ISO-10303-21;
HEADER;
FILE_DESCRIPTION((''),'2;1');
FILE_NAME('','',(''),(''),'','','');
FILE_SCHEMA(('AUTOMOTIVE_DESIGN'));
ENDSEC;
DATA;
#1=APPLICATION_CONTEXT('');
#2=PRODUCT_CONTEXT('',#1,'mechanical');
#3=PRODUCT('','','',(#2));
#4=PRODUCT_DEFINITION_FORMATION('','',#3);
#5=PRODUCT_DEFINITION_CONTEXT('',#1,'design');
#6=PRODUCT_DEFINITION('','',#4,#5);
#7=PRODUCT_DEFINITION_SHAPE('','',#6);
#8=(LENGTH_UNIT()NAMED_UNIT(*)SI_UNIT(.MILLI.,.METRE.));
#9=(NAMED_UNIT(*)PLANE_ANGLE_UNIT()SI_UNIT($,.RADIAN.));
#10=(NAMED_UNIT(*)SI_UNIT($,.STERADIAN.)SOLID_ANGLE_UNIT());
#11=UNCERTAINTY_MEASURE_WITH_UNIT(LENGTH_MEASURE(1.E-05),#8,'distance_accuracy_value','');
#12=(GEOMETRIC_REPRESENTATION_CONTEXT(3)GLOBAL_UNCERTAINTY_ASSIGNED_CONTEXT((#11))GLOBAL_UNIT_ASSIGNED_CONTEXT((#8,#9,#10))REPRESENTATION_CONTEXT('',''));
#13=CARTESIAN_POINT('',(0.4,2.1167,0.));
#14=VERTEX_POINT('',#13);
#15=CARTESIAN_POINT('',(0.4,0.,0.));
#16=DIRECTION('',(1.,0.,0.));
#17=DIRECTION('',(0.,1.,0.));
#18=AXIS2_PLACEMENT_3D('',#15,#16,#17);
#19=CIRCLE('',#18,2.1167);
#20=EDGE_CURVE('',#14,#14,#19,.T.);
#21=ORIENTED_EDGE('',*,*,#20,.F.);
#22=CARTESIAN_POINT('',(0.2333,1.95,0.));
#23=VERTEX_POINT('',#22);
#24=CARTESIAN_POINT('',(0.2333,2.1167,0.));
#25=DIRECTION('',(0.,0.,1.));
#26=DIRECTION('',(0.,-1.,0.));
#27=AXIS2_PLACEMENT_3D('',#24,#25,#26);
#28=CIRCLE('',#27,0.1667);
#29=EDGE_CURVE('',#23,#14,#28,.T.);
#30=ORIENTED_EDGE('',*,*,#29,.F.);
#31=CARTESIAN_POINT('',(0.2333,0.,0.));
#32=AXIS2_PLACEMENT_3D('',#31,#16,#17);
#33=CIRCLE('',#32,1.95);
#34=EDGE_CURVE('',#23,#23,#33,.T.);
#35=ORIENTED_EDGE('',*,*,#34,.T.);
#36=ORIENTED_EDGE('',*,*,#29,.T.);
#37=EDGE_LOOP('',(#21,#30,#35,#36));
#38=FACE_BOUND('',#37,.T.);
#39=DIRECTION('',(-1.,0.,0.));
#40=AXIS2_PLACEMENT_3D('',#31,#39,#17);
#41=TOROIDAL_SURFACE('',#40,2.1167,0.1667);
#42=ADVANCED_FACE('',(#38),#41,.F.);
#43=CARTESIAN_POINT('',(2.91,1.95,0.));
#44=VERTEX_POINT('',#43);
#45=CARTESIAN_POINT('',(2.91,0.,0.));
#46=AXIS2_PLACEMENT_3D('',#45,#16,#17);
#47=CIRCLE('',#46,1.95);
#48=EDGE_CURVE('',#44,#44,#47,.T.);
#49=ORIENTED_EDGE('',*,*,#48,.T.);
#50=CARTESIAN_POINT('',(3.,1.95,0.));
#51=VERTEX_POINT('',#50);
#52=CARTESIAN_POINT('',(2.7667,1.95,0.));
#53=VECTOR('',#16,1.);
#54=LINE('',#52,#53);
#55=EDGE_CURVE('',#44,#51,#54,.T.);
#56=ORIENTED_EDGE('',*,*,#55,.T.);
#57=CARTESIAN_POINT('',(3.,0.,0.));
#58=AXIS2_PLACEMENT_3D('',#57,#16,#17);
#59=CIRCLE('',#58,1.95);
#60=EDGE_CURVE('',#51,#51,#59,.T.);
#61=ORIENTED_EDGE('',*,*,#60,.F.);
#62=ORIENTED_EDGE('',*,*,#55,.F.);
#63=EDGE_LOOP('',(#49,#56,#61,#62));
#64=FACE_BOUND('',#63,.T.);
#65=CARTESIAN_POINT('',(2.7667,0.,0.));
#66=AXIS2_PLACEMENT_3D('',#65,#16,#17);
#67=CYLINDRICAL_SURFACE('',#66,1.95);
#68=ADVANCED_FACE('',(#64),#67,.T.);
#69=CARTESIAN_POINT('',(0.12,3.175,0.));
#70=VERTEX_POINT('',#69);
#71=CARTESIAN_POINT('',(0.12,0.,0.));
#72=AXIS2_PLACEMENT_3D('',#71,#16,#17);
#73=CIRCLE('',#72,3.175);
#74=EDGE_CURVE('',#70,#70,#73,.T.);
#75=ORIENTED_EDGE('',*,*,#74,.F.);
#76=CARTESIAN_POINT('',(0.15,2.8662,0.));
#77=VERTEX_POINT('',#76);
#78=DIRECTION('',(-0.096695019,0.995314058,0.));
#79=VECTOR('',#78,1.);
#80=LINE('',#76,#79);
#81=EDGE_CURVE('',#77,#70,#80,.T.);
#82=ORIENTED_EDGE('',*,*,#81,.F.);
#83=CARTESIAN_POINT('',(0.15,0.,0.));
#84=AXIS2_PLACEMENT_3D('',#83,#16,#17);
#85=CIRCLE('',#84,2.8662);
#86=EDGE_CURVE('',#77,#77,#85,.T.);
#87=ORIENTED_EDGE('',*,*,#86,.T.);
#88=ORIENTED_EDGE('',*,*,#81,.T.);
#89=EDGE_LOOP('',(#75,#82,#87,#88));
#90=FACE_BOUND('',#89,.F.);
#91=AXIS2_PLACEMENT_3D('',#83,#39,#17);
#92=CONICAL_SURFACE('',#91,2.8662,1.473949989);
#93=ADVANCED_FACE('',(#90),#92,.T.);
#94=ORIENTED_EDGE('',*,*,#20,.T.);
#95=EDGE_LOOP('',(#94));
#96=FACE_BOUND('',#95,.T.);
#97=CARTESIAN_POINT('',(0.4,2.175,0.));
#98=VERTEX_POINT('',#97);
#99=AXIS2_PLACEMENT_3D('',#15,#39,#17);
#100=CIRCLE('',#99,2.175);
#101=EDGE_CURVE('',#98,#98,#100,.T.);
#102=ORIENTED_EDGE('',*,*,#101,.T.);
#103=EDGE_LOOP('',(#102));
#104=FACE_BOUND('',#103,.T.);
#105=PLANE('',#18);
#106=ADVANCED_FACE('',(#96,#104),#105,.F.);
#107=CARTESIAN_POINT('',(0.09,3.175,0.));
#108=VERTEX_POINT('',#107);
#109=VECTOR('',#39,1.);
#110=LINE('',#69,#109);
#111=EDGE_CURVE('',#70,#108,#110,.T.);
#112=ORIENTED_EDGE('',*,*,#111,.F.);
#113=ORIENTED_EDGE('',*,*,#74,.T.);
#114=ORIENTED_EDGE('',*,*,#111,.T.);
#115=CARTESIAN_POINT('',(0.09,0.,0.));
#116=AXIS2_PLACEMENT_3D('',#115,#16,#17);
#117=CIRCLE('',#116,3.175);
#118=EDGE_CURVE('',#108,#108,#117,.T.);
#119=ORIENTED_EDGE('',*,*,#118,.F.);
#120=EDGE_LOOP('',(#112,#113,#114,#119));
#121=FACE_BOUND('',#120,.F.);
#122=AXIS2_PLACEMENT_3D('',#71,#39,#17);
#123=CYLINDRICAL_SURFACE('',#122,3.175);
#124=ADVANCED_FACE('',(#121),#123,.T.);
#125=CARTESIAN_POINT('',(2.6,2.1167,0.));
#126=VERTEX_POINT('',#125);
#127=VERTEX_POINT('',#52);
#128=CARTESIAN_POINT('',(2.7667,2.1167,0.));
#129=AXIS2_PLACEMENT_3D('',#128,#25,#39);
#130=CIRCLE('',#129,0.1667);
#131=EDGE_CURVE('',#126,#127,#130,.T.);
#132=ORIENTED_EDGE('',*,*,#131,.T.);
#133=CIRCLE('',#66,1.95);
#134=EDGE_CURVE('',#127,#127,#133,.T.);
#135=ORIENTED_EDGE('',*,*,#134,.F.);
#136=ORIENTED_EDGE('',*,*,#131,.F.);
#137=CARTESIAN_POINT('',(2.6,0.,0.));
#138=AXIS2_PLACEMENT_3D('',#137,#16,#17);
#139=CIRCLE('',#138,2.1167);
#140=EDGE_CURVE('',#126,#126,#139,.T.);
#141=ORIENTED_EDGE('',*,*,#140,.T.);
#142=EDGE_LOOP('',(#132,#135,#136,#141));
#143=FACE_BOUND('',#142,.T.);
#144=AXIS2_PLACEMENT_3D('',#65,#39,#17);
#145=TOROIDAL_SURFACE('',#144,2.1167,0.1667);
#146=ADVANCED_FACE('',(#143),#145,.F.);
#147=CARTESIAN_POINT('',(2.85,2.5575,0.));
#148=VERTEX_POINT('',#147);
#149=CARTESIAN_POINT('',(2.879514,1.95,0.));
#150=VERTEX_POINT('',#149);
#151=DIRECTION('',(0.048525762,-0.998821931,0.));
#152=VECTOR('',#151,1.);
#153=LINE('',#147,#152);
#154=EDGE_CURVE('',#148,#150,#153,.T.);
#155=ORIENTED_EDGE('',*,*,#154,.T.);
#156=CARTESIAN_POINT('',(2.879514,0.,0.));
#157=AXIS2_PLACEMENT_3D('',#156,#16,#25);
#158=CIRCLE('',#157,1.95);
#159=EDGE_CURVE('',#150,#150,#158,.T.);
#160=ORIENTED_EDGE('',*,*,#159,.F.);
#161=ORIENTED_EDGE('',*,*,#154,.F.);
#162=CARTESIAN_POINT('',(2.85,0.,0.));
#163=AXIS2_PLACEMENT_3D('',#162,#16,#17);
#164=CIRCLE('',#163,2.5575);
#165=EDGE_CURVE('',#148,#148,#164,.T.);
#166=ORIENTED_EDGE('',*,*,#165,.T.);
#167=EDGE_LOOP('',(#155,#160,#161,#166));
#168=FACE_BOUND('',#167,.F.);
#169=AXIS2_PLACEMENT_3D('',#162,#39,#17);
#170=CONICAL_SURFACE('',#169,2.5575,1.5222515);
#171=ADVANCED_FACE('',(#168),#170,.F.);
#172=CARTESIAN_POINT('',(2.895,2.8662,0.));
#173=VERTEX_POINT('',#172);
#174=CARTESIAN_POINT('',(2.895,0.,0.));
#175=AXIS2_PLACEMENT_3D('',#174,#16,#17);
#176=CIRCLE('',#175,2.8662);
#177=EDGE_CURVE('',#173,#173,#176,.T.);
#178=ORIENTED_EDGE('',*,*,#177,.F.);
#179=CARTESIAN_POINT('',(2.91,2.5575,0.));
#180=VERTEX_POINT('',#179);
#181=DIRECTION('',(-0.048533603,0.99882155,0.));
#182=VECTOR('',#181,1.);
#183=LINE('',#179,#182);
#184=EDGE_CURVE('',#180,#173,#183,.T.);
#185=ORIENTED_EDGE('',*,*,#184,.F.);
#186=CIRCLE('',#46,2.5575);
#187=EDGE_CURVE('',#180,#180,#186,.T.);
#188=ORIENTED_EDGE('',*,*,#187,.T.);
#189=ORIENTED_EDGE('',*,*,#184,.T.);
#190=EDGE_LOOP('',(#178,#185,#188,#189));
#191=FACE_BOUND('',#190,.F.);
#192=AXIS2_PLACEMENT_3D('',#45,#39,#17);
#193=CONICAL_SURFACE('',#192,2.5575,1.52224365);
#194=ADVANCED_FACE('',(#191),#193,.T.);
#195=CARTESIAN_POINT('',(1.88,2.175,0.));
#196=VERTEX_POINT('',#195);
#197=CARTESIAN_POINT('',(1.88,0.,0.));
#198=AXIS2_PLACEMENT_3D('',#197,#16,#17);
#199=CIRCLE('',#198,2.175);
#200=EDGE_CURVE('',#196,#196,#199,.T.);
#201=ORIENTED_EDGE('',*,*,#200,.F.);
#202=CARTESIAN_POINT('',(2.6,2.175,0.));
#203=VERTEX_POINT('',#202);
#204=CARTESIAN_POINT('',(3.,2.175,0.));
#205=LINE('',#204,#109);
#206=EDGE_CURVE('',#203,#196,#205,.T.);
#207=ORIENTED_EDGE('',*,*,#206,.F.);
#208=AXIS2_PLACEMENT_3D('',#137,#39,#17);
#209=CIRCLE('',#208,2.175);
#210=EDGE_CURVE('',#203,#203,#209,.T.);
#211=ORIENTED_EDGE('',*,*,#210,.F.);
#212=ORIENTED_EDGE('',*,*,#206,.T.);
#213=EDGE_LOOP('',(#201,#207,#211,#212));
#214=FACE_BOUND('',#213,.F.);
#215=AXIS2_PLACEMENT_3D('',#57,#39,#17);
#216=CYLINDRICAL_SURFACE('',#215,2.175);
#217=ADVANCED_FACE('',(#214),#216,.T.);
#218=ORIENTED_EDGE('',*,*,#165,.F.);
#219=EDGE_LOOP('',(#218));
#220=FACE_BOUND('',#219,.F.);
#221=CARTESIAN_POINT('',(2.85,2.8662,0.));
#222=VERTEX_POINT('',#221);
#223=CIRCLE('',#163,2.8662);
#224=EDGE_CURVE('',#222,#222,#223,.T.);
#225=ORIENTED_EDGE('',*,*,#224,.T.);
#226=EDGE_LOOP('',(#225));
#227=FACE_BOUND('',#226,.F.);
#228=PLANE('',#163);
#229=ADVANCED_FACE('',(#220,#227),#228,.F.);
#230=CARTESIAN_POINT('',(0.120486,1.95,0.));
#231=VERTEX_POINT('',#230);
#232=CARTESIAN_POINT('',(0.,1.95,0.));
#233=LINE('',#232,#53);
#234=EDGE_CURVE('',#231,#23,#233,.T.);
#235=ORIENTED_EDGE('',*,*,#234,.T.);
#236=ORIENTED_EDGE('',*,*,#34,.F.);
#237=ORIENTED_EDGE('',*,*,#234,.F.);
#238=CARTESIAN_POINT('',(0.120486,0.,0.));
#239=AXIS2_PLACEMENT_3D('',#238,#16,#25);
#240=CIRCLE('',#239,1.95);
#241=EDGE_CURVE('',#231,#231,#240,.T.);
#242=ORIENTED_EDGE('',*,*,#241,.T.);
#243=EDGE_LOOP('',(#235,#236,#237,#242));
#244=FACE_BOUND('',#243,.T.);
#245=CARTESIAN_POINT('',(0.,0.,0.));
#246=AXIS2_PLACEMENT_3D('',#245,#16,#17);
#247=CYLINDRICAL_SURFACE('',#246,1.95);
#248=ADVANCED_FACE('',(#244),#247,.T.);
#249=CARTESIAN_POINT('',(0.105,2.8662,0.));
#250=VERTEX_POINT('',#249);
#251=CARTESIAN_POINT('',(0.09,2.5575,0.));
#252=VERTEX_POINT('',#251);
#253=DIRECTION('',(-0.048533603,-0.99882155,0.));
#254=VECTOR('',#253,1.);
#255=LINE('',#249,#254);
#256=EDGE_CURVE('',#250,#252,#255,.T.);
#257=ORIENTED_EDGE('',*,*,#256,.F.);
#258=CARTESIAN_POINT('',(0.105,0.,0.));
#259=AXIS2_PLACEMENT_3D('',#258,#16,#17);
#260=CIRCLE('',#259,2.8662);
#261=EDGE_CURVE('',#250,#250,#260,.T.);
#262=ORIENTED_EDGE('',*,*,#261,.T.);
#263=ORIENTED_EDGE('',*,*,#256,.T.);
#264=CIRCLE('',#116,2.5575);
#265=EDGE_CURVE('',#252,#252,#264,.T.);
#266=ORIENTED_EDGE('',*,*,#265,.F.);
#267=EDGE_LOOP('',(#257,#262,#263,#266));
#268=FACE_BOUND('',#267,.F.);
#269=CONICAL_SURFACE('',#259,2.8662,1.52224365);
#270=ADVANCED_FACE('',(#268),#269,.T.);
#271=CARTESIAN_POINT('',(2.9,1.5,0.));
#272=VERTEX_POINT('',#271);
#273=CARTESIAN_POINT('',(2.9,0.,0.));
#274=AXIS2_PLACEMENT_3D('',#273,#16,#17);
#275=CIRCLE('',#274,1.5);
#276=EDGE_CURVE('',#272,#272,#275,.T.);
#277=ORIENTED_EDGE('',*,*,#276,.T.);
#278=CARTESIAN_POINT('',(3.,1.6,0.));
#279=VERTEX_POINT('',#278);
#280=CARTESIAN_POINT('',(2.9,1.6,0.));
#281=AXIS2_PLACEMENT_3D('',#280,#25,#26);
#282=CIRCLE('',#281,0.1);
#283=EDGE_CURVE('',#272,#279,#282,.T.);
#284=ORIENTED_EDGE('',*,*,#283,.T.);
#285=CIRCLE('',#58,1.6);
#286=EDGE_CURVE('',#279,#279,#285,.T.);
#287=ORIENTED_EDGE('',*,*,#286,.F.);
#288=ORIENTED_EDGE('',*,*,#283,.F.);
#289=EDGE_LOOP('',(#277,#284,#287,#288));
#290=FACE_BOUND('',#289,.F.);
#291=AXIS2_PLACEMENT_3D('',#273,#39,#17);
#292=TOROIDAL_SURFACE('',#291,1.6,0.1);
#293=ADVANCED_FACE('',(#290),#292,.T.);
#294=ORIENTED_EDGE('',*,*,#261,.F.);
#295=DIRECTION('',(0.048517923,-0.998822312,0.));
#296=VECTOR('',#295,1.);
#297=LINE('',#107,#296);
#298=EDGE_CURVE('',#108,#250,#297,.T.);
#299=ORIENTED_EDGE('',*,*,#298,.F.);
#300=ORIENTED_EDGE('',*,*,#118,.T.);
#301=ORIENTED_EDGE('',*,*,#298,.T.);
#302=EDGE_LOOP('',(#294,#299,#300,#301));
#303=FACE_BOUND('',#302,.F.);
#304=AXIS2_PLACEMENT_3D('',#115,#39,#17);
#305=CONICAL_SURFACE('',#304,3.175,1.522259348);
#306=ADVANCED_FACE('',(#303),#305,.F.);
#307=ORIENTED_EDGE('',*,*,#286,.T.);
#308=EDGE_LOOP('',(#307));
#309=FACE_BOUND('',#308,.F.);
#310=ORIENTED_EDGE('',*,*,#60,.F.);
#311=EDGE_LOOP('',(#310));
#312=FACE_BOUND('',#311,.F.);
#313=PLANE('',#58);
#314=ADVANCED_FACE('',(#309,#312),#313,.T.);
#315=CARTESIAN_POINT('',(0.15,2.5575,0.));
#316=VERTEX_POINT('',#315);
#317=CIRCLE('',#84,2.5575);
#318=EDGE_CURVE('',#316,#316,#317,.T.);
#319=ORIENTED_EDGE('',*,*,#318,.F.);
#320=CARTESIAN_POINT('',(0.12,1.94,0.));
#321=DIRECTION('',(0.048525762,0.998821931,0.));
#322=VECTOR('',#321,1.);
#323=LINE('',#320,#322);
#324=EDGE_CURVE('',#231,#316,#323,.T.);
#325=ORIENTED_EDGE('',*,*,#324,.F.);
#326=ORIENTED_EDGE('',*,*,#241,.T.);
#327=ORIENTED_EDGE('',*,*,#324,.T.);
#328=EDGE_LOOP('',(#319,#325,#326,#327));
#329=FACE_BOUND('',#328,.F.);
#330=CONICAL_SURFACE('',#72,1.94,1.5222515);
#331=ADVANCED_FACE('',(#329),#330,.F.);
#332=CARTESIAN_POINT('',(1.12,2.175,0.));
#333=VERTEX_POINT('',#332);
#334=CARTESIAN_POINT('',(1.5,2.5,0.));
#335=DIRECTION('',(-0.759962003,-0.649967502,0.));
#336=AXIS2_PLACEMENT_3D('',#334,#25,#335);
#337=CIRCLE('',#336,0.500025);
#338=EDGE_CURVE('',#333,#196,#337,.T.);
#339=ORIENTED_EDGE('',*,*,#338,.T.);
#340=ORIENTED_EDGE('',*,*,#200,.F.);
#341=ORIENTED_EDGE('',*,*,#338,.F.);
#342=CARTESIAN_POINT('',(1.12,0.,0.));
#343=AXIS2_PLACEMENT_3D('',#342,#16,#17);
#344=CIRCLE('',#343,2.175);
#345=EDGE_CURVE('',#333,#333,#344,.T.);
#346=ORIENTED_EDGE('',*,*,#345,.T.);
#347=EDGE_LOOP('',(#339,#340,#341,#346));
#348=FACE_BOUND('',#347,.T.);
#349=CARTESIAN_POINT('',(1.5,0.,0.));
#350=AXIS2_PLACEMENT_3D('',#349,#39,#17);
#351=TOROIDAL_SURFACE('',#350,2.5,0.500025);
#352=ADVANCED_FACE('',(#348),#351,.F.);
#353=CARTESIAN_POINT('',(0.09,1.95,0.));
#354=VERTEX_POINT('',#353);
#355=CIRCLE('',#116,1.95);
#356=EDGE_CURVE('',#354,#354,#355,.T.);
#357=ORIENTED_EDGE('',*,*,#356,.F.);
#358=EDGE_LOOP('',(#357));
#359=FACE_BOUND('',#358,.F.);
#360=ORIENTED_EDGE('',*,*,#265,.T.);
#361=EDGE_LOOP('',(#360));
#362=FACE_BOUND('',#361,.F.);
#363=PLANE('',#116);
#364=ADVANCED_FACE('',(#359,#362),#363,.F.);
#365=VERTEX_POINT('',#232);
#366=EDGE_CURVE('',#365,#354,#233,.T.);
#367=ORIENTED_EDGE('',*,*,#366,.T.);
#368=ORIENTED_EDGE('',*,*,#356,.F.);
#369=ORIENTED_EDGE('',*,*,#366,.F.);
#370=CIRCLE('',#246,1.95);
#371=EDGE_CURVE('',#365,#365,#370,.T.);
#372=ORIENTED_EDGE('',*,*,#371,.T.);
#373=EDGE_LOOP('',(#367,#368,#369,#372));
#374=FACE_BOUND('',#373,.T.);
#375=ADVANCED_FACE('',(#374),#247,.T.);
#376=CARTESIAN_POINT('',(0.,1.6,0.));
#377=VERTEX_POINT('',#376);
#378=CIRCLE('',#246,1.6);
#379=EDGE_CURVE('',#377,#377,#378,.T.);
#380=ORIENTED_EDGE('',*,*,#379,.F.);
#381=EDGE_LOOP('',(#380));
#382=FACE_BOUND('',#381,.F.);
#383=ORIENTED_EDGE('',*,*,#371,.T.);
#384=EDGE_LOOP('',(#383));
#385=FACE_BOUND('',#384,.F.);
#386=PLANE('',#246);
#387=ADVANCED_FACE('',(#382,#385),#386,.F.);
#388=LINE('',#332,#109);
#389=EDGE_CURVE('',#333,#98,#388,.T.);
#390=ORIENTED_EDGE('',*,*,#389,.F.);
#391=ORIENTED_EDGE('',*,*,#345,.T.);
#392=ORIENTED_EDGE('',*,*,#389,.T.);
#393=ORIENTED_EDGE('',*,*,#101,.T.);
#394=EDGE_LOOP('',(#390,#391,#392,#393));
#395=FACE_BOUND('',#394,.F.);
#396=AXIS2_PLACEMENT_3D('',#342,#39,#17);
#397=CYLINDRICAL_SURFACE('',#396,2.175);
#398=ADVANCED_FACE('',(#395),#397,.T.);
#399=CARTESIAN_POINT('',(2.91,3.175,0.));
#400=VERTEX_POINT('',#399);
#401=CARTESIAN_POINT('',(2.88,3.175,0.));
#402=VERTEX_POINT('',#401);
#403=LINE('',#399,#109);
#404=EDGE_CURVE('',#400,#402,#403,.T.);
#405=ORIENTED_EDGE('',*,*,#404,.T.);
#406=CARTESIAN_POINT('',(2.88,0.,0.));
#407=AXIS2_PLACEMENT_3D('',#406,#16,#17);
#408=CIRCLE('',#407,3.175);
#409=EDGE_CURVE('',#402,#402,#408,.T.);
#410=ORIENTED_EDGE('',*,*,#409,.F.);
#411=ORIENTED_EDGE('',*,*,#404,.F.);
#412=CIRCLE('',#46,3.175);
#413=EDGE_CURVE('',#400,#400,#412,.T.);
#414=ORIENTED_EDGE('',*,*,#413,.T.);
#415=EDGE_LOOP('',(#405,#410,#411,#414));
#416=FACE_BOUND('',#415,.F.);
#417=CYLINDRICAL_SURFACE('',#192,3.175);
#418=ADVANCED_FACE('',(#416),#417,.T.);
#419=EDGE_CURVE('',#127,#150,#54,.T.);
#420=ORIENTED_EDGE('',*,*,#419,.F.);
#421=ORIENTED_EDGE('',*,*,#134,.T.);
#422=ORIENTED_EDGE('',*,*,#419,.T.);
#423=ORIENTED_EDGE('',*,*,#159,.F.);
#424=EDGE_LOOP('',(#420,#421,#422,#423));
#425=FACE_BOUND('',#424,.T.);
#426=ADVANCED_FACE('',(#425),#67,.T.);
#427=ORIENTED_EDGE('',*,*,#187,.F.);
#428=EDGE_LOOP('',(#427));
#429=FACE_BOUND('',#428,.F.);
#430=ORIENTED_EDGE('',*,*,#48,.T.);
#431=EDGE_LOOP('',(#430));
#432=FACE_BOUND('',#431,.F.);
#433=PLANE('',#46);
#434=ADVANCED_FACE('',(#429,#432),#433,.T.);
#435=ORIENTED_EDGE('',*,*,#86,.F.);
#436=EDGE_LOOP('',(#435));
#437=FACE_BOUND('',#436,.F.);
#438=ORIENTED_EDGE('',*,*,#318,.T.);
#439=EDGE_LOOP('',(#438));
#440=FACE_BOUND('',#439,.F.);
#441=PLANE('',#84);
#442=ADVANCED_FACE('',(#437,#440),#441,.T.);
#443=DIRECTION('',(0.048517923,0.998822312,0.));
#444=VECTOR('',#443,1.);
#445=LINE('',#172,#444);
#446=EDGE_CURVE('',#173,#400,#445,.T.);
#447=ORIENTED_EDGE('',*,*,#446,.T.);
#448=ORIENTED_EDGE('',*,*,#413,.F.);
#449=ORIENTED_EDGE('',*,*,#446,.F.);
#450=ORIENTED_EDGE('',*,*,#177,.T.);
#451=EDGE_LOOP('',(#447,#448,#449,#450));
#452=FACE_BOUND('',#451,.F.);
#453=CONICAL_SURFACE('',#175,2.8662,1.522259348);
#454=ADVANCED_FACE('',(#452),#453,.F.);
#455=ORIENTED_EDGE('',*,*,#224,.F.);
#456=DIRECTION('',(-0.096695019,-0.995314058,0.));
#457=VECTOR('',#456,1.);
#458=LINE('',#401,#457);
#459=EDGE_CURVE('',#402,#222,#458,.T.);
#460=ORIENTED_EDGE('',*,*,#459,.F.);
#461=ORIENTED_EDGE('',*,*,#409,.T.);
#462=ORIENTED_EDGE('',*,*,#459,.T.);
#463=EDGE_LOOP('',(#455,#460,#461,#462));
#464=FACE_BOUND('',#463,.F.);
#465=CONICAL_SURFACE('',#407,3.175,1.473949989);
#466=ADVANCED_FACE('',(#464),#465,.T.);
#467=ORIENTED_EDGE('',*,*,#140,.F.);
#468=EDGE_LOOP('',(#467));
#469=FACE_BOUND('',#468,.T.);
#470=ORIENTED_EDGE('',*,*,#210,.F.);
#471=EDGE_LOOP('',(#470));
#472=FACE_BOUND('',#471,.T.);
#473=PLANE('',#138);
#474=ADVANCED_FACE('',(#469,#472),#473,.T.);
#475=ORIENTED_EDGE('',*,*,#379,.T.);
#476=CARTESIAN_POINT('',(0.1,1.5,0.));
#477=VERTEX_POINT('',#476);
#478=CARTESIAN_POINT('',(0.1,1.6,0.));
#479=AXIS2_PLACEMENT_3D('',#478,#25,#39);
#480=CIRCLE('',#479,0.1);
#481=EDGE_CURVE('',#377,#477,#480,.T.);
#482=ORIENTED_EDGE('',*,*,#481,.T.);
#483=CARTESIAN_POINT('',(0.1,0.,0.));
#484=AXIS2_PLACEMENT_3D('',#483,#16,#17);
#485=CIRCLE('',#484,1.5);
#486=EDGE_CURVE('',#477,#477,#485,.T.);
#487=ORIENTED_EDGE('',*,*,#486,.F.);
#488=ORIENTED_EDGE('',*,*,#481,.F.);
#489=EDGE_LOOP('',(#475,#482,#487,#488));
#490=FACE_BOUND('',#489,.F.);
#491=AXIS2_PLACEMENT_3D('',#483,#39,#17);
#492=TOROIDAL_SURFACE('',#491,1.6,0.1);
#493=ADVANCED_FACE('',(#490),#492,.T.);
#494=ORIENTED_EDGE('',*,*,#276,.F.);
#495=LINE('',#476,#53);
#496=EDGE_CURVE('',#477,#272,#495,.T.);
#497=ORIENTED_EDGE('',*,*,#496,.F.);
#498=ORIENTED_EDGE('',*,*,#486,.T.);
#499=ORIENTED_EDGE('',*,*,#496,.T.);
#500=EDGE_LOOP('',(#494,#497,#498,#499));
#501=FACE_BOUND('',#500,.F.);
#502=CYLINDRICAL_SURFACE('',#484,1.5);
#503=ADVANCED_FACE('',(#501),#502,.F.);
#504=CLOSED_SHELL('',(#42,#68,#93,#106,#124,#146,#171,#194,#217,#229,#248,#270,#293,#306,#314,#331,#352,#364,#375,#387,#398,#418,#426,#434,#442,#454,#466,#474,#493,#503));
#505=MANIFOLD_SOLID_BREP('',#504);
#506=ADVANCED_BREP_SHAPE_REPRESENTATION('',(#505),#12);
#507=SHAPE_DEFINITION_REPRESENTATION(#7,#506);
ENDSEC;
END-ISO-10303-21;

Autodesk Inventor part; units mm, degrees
ref_plane "YZ Plane" through (0, 0, 0) normal (1, 0, 0) x (0, 1, 0)
ref_plane "XZ Plane" through (0, 0, 0) normal (0, 1, 0) x (-1, 0, 0)
ref_plane "XY Plane" through (0, 0, 0) normal (0, 0, 1) x (1, 0, 0)
sketch "Sketch_18" plane through (0, 0, 0) normal (0, 0, 1) x (1, 0, 0)
  line L0 (50, 0) -> (-50, 0)
  arc A0 (0, 1.6) -> (0.1, 1.5) centre (0.1, 1.6) ccw
  line L1 (0.1, 1.5) -> (2.9, 1.5)
  arc A1 (2.9, 1.5) -> (3, 1.6) centre (2.9, 1.6) ccw
  line L2 (3, 1.6) -> (3, 2.175)
  line L3 (3, 2.175) -> (1.88, 2.175)
  arc A2 (1.12, 2.175) -> (1.88, 2.175) centre (1.5, 2.5) ccw
  line L4 (1.12, 2.175) -> (0, 2.175)
  line L5 (0, 2.175) -> (0, 1.6)
revolve "Revolution1" add sketch "Sketch_18" angle 360 about axis through (50, 0, 0) along (1, 0, 0)
sketch "Sketch_19" plane through (0, 0, 0) normal (0, 0, 1) x (1, 0, 0)
  line L0 (50, 0) -> (-50, 0)
  line L1 (0, 2.575) -> (0, 1.95)
  line L2 (0, 1.95) -> (0.2333, 1.95)
  arc A0 (0.2333, 1.95) -> (0.4, 2.1167) centre (0.2333, 2.1167) ccw
  line L3 (0.4, 2.1167) -> (0.4, 2.3083)
  line L4 (0.4, 2.3083) -> (2.6, 2.3083)
  line L5 (2.6, 2.3083) -> (2.6, 2.1167)
  arc A1 (2.6, 2.1167) -> (2.7667, 1.95) centre (2.7667, 2.1167) ccw
  line L6 (2.7667, 1.95) -> (3, 1.95)
  line L7 (3, 1.95) -> (3, 2.575)
  line L8 (3, 2.575) -> (0, 2.575)
revolve "Revolution2" cut sketch "Sketch_19" angle 360 about axis through (50, 0, 0) along (1, 0, 0)
sketch "Sketch_20" plane through (0, 0, 0) normal (0, 0, 1) x (1, 0, 0)
  line L0 (50, 0) -> (-50, 0)
  line L1 (0.09, 3.175) -> (0.105, 2.8662)
  line L2 (0.105, 2.8662) -> (0.09, 2.5575)
  line L3 (0.09, 2.5575) -> (0.09, 1.94)
  line L4 (0.09, 1.94) -> (0.12, 1.94)
  line L5 (0.12, 1.94) -> (0.15, 2.5575)
  line L6 (0.15, 2.5575) -> (0.15, 2.8662)
  line L7 (0.15, 2.8662) -> (0.12, 3.175)
  line L8 (0.12, 3.175) -> (0.09, 3.175)
revolve "Revolution3" add sketch "Sketch_20" angle 360 about axis through (50, 0, 0) along (1, 0, 0)
sketch "Sketch_21" plane through (0, 0, 0) normal (0, 0, 1) x (1, 0, 0)
  line L0 (50, 0) -> (-50, 0)
  line L1 (2.85, 2.8662) -> (2.85, 2.5575)
  line L2 (2.85, 2.5575) -> (2.88, 1.94)
  line L3 (2.88, 1.94) -> (2.91, 1.94)
  line L4 (2.91, 1.94) -> (2.91, 2.5575)
  line L5 (2.91, 2.5575) -> (2.895, 2.8662)
  line L6 (2.895, 2.8662) -> (2.91, 3.175)
  line L7 (2.91, 3.175) -> (2.88, 3.175)
  line L8 (2.88, 3.175) -> (2.85, 2.8662)
revolve "Revolution4" add sketch "Sketch_21" angle 360 about axis through (50, 0, 0) along (1, 0, 0)
properties part number "W 638/3-2Z_PART1"
